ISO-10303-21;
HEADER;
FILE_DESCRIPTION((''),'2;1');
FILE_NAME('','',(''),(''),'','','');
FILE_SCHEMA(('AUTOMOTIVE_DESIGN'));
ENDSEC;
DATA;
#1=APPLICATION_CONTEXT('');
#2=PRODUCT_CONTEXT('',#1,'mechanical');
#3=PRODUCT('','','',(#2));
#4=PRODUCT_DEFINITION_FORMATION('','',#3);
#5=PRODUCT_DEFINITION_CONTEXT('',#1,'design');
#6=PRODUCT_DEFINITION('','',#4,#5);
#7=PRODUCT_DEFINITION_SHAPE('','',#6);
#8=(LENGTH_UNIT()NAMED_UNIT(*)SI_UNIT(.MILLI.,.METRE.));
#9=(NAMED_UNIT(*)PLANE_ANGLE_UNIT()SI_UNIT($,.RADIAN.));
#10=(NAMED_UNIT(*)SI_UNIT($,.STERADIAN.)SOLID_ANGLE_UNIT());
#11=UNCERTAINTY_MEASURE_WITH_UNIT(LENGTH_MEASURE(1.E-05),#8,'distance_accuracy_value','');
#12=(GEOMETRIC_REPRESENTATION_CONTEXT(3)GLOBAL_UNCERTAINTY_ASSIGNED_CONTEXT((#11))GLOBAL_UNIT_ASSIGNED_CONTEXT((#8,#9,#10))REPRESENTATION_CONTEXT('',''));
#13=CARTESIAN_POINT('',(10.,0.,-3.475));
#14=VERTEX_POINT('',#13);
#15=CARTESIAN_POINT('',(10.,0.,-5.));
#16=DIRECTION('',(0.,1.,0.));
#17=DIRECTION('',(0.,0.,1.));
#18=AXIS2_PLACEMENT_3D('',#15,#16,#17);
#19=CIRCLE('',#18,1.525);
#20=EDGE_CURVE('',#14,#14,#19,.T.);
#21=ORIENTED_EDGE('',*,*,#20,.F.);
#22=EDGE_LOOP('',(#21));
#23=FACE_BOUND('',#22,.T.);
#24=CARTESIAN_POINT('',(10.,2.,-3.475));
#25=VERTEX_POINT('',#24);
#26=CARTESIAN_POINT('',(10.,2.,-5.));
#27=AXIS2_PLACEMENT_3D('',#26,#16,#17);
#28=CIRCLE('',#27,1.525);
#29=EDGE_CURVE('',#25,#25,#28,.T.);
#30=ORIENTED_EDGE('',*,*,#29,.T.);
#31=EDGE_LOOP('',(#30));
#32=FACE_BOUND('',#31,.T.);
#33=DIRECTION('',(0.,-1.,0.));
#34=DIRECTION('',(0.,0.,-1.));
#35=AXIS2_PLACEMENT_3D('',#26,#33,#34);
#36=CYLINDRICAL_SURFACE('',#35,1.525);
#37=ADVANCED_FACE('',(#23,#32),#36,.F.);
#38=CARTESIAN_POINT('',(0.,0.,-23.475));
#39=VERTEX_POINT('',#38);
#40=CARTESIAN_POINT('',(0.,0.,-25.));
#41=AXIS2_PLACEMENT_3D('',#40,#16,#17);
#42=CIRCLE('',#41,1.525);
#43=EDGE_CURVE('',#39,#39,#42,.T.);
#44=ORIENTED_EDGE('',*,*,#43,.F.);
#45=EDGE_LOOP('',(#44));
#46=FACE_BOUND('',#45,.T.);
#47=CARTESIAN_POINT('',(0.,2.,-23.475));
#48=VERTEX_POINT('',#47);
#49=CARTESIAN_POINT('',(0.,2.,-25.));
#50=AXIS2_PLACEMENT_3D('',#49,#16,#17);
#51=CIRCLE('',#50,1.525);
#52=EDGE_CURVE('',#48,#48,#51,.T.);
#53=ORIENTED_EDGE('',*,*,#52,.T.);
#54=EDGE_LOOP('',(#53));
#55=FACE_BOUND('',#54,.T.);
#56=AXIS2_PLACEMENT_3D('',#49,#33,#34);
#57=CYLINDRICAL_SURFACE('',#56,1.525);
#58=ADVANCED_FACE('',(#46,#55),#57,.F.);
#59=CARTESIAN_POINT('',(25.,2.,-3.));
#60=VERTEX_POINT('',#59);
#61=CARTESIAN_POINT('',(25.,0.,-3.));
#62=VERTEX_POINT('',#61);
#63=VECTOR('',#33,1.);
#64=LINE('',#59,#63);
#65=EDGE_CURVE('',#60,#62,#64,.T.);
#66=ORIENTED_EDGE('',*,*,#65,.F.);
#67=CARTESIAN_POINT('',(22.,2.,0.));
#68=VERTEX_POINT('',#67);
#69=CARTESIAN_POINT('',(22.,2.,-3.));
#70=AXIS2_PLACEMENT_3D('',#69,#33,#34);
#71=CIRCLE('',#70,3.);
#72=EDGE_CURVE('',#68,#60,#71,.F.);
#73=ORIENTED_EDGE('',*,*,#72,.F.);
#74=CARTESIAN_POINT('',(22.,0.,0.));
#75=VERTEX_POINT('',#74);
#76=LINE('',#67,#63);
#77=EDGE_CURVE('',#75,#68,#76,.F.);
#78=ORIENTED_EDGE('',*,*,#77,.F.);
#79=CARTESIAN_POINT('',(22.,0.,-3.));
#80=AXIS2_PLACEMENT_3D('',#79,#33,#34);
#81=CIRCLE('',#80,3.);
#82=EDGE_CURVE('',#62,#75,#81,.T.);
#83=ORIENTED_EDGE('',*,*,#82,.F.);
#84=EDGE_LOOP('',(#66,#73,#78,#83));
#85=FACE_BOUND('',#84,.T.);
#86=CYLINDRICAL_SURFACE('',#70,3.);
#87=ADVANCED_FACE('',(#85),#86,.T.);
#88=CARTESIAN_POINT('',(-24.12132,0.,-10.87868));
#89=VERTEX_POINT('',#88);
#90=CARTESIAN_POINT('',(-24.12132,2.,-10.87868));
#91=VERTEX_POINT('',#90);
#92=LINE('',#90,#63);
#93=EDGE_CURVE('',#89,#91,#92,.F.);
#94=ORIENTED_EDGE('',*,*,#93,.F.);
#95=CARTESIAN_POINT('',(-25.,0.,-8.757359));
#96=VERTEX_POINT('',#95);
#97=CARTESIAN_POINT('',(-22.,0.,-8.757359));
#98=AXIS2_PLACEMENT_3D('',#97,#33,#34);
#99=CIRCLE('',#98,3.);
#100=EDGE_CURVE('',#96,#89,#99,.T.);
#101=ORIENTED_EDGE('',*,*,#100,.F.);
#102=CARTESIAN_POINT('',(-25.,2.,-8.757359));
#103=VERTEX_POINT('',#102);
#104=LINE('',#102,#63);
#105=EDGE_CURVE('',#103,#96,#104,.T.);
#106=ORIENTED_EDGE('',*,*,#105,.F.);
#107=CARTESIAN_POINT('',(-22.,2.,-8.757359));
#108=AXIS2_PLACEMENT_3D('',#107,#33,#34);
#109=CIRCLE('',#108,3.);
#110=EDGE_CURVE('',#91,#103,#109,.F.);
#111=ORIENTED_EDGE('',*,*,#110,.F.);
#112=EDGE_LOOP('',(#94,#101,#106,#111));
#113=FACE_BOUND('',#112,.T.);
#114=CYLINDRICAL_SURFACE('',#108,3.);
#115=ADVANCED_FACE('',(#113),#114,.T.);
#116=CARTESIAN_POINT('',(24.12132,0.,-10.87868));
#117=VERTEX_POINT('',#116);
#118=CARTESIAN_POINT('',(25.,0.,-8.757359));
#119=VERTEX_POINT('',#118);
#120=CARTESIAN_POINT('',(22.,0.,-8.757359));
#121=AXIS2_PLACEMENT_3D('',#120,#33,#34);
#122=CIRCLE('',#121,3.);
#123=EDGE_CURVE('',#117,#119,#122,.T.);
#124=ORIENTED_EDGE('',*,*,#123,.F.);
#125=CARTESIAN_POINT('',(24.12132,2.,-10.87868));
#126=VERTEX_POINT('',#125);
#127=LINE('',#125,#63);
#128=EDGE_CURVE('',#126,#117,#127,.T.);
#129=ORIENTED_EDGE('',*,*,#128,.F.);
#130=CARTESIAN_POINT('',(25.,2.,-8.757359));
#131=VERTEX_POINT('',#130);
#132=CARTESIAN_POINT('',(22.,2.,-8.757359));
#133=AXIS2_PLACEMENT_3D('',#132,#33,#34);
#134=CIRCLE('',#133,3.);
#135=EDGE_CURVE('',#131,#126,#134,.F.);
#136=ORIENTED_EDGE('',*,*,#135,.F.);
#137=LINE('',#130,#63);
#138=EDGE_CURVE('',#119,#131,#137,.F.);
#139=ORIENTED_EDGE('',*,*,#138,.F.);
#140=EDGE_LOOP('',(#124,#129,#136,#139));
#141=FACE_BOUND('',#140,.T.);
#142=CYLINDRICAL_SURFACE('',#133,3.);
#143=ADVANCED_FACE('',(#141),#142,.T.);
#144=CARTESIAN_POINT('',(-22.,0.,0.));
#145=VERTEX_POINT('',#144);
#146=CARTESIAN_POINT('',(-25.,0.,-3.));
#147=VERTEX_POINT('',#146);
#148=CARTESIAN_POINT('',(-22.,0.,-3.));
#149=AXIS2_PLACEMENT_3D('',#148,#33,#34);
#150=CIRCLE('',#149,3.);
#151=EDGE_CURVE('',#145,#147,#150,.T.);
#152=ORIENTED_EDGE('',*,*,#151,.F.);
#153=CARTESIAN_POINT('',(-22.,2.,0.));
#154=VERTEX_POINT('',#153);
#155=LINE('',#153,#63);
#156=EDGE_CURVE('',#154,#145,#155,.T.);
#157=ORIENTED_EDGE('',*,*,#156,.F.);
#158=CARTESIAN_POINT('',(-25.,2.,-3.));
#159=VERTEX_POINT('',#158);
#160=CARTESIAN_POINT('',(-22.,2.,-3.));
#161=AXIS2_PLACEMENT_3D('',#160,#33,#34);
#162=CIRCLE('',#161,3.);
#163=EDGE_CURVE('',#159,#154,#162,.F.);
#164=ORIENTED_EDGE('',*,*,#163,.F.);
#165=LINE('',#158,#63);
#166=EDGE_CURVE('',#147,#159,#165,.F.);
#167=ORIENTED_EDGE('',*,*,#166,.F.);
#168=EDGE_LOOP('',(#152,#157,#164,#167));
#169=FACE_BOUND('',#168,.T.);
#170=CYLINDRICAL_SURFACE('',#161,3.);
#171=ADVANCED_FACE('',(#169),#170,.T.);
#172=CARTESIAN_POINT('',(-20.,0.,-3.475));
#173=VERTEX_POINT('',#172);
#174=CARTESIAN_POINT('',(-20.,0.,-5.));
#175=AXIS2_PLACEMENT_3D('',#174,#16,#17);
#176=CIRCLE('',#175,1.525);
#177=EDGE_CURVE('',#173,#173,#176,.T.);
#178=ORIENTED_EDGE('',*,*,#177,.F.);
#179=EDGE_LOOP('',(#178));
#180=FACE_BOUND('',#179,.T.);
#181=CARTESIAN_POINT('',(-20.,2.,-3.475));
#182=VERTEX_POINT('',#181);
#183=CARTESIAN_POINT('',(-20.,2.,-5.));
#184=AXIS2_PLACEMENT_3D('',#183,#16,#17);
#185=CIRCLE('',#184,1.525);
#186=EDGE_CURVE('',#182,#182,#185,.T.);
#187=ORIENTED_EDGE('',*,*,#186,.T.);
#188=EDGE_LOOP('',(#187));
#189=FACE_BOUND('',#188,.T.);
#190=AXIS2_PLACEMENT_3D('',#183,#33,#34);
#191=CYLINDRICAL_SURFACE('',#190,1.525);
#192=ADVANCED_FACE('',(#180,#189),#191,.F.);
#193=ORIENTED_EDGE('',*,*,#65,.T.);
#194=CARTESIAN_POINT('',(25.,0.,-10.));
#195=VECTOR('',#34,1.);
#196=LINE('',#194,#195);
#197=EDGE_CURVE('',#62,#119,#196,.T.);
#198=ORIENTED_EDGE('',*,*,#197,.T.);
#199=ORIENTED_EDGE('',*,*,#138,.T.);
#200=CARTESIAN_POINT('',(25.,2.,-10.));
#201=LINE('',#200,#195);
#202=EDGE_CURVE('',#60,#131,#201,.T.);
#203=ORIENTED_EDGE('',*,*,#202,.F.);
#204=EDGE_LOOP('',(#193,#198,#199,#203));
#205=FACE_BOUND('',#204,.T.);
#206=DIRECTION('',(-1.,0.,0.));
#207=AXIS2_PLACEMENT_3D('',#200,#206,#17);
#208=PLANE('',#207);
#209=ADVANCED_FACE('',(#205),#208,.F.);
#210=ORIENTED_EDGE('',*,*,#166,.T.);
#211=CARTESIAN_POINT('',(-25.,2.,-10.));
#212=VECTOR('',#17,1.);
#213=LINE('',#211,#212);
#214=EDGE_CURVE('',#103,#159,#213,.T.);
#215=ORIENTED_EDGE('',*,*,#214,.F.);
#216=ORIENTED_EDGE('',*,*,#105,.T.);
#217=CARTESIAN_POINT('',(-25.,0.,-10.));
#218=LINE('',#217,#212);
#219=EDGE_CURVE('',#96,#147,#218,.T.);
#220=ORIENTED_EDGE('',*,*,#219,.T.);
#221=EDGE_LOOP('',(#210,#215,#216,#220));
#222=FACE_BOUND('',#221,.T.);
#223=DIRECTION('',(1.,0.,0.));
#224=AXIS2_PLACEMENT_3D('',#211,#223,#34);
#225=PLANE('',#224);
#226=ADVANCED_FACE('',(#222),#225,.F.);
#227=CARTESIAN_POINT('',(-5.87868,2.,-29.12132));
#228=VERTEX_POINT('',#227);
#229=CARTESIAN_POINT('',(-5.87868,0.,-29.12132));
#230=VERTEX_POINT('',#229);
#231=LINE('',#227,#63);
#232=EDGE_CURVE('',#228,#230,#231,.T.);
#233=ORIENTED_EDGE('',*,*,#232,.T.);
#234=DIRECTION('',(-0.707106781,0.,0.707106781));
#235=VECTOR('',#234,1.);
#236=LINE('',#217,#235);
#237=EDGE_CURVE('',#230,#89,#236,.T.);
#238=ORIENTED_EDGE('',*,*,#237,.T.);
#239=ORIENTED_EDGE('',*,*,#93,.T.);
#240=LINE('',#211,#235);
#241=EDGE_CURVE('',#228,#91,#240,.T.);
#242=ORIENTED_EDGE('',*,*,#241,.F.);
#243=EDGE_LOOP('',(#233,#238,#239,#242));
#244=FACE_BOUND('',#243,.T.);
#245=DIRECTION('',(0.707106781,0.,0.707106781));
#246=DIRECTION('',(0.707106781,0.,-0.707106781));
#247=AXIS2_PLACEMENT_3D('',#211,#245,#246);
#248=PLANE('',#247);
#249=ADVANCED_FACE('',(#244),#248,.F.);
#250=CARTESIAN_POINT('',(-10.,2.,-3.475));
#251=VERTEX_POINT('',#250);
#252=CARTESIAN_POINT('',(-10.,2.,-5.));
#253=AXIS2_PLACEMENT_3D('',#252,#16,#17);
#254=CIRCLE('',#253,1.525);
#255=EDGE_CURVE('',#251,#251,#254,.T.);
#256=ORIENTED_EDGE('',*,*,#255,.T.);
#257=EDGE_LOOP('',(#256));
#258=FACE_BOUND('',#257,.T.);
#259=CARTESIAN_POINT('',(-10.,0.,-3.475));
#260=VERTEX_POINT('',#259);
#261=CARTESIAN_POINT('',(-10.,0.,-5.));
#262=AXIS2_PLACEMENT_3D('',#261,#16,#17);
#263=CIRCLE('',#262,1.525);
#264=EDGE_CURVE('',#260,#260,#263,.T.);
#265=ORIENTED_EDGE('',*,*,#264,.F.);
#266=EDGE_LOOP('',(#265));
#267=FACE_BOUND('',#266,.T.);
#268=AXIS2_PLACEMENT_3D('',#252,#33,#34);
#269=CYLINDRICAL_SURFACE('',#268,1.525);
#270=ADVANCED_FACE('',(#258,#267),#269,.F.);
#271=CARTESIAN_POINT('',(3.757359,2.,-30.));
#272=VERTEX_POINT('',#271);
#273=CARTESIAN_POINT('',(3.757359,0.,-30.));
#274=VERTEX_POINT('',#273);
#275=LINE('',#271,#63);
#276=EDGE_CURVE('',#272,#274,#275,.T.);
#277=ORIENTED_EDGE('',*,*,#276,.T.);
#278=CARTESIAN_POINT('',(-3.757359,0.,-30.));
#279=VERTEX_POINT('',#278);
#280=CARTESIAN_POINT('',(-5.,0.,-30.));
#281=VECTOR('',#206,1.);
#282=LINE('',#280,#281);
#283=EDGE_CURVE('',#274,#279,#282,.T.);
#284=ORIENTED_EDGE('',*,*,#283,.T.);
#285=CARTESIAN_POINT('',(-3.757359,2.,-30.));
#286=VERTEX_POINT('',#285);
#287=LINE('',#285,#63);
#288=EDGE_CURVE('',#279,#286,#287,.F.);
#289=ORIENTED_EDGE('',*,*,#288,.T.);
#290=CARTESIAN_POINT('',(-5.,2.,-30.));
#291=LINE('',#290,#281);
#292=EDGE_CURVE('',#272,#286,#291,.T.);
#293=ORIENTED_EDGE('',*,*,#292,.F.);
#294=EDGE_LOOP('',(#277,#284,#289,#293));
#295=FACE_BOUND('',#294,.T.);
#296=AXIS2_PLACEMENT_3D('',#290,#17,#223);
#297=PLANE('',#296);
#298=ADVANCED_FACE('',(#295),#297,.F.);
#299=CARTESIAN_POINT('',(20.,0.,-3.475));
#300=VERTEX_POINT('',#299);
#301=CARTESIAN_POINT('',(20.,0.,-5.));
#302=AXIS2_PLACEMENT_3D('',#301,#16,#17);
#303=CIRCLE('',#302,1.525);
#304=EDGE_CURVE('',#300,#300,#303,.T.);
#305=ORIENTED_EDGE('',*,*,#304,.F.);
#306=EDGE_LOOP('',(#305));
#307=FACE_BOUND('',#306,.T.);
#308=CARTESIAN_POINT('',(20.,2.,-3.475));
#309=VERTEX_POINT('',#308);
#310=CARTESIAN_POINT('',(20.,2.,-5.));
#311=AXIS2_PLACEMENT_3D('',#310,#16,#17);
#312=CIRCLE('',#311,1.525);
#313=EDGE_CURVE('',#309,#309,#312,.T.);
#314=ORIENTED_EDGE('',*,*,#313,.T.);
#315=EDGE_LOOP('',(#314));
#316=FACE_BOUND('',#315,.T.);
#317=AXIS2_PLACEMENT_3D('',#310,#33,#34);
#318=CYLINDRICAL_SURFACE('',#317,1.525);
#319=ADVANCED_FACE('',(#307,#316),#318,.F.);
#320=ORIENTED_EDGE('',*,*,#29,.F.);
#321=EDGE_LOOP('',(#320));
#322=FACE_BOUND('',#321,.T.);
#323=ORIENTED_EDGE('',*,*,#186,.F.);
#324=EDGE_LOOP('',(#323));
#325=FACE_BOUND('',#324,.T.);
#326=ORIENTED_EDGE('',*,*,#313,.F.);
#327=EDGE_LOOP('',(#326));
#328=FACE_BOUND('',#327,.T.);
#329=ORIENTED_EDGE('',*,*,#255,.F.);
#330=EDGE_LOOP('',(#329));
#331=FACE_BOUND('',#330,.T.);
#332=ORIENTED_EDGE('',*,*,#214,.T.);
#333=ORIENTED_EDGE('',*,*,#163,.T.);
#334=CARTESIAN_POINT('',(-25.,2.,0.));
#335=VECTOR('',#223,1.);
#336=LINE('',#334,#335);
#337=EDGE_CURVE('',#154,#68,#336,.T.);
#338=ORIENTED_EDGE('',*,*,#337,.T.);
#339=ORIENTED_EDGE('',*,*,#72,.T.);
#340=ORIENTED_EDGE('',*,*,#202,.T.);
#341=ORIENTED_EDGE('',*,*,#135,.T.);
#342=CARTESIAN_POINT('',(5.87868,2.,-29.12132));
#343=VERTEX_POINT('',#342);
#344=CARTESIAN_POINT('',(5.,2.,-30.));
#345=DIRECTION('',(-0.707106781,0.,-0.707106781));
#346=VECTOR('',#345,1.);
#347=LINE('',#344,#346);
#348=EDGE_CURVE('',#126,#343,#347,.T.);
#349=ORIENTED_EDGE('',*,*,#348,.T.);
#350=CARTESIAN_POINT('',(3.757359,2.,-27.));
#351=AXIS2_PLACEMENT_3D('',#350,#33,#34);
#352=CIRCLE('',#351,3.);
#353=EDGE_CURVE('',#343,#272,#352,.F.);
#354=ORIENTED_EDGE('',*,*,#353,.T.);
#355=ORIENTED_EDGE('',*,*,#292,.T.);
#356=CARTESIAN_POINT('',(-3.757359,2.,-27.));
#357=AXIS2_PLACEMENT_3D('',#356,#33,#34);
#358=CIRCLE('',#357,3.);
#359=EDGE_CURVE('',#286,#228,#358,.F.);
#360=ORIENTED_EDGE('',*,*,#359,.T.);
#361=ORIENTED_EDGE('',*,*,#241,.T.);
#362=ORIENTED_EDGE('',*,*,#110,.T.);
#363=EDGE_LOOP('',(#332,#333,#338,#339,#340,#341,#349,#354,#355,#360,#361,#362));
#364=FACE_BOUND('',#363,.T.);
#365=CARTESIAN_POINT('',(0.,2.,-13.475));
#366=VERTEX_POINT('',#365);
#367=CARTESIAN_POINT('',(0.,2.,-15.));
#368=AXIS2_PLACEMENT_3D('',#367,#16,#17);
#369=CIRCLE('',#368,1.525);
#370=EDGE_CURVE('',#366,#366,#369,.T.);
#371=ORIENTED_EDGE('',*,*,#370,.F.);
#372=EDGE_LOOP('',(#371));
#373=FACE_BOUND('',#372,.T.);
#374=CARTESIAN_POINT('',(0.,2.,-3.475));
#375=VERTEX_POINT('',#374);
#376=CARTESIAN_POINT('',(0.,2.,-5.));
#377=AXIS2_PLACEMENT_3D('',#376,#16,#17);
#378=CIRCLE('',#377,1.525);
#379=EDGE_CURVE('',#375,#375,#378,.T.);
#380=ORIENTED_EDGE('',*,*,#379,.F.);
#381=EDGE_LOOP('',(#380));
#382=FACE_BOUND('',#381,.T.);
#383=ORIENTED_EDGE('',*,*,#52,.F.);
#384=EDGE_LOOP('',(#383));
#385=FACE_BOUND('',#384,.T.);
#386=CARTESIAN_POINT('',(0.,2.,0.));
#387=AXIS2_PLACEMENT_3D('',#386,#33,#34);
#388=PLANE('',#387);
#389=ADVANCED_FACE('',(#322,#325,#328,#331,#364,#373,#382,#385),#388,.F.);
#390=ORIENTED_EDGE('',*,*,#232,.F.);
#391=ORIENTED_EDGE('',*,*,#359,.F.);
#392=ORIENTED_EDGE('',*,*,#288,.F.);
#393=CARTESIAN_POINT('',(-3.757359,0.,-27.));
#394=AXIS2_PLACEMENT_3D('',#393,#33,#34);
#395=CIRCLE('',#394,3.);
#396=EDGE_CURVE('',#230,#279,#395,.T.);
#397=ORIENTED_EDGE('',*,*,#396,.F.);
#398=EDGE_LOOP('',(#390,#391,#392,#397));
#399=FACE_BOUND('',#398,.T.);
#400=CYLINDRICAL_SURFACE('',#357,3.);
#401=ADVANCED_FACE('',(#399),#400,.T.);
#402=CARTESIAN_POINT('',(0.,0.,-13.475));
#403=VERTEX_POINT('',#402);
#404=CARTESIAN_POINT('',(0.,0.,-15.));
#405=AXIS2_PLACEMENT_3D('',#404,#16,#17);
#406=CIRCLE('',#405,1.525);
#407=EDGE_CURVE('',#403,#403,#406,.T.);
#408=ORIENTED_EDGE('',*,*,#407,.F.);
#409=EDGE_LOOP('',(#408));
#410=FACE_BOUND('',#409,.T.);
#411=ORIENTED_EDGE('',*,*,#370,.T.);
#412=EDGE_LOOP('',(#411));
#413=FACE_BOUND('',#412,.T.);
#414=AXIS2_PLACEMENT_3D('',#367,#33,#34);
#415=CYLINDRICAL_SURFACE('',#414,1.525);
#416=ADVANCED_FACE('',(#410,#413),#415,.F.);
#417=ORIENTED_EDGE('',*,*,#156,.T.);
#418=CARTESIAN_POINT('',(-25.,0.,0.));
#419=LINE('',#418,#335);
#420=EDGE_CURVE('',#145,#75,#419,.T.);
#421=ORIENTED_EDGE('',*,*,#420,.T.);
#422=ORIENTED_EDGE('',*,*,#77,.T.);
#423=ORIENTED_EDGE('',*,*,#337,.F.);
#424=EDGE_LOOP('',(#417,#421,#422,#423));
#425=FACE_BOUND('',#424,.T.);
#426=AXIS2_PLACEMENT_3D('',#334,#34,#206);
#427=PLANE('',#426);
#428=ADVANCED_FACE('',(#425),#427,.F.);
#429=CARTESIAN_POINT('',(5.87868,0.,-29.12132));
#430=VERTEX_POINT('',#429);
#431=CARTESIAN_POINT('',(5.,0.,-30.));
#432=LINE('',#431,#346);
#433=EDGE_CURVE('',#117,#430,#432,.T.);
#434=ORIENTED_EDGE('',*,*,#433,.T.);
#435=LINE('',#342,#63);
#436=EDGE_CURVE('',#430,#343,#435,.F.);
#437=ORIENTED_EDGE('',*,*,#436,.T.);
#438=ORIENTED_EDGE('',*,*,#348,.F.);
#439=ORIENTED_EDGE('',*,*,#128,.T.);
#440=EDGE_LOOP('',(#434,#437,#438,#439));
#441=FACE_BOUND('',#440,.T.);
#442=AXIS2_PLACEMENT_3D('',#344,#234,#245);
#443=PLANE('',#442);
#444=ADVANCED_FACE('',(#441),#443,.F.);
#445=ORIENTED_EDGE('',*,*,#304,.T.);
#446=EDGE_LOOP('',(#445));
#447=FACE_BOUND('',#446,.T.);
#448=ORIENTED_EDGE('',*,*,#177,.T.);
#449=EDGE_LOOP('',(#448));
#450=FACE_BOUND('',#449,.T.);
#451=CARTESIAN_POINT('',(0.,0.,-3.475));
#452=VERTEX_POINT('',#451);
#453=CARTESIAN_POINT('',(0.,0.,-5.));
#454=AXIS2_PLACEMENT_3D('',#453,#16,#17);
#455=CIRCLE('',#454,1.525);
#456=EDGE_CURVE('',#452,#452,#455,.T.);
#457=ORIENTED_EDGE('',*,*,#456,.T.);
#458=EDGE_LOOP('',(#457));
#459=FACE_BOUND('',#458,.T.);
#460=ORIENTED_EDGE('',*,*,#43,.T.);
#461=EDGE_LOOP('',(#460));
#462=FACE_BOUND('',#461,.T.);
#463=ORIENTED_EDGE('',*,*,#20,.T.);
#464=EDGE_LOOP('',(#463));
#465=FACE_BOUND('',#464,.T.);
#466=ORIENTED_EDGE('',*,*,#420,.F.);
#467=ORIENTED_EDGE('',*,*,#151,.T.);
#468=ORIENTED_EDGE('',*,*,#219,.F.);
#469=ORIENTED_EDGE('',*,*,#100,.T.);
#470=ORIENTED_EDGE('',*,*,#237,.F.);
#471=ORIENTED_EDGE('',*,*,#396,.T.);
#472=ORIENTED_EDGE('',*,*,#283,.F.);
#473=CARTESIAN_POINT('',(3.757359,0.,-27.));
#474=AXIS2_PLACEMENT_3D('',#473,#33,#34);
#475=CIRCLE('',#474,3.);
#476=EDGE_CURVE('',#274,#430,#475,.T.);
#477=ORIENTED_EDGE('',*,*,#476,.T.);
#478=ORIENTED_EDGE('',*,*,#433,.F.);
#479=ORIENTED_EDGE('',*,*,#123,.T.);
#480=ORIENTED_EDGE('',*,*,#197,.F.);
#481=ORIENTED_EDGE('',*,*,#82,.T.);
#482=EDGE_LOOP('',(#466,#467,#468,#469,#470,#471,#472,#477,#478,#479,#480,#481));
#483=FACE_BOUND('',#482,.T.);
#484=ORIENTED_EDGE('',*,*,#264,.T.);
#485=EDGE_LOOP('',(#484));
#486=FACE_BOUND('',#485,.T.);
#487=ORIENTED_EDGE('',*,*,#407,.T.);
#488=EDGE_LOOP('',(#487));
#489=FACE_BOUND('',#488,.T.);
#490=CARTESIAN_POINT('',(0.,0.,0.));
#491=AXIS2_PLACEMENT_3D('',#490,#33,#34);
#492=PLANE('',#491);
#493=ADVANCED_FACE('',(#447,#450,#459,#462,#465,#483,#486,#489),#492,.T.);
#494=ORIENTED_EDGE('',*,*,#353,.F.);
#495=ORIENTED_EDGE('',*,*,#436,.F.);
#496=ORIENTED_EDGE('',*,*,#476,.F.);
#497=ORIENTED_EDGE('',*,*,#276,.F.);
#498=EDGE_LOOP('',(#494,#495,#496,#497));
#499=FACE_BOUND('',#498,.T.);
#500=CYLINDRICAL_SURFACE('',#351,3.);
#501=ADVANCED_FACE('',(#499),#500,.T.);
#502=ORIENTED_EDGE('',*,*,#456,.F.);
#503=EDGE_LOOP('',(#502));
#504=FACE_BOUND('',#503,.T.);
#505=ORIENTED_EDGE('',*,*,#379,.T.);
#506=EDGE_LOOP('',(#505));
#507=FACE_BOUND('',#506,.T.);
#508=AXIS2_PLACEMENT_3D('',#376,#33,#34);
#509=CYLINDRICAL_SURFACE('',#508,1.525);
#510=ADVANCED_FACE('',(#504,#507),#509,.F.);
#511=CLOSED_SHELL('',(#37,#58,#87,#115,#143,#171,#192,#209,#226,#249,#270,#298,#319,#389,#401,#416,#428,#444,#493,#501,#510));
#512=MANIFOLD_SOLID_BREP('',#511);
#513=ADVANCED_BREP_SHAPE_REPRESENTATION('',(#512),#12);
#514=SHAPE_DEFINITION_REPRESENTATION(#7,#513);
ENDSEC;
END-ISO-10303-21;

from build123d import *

# Parameters (mm, degrees)
SKETCH_1_R      = 1.525
EXTRUDE_1_DEPTH = 2
FILLET_1_R      = 3


with BuildPart() as part:
    # 草图1 → 凸台-拉伸1 (new body)
    with BuildSketch(Plane(origin=(0, 0, 0), x_dir=(1, 0, 0), z_dir=(0, 1, 0))):
        Polygon((-5, 30), (5, 30), (25, 10), (25, 0), (-25, 0), (-25, 10), align=None)
        with Locations(Location((0, 25, 0), (0, 0, 270))):
            Circle(SKETCH_1_R, mode=Mode.SUBTRACT)
        with Locations(Location((0, 15, 0), (0, 0, 270))):
            Circle(SKETCH_1_R, mode=Mode.SUBTRACT)
        with Locations(Location((0, 5, 0), (0, 0, 270))):
            Circle(SKETCH_1_R, mode=Mode.SUBTRACT)
        with Locations(Location((10, 5, 0), (0, 0, 270))):
            Circle(SKETCH_1_R, mode=Mode.SUBTRACT)
        with Locations(Location((-10, 5, 0), (0, 0, 270))):
            Circle(SKETCH_1_R, mode=Mode.SUBTRACT)
        with Locations(Location((20, 5, 0), (0, 0, 270))):
            Circle(SKETCH_1_R, mode=Mode.SUBTRACT)
        with Locations(Location((-20, 5, 0), (0, 0, 270))):
            Circle(SKETCH_1_R, mode=Mode.SUBTRACT)
    extrude(amount=EXTRUDE_1_DEPTH)

    # 圆角1
    fillet_1_edges = [part.edges().sort_by_distance(p)[0] for p in [
        (-5, 1, -30),
        (5, 1, -30),
        (25, 1, -10),
        (25, 1, 0),
        (-25, 1, 0),
        (-25, 1, -10),
    ]]
    fillet(fillet_1_edges, radius=FILLET_1_R)


solid = part.part
